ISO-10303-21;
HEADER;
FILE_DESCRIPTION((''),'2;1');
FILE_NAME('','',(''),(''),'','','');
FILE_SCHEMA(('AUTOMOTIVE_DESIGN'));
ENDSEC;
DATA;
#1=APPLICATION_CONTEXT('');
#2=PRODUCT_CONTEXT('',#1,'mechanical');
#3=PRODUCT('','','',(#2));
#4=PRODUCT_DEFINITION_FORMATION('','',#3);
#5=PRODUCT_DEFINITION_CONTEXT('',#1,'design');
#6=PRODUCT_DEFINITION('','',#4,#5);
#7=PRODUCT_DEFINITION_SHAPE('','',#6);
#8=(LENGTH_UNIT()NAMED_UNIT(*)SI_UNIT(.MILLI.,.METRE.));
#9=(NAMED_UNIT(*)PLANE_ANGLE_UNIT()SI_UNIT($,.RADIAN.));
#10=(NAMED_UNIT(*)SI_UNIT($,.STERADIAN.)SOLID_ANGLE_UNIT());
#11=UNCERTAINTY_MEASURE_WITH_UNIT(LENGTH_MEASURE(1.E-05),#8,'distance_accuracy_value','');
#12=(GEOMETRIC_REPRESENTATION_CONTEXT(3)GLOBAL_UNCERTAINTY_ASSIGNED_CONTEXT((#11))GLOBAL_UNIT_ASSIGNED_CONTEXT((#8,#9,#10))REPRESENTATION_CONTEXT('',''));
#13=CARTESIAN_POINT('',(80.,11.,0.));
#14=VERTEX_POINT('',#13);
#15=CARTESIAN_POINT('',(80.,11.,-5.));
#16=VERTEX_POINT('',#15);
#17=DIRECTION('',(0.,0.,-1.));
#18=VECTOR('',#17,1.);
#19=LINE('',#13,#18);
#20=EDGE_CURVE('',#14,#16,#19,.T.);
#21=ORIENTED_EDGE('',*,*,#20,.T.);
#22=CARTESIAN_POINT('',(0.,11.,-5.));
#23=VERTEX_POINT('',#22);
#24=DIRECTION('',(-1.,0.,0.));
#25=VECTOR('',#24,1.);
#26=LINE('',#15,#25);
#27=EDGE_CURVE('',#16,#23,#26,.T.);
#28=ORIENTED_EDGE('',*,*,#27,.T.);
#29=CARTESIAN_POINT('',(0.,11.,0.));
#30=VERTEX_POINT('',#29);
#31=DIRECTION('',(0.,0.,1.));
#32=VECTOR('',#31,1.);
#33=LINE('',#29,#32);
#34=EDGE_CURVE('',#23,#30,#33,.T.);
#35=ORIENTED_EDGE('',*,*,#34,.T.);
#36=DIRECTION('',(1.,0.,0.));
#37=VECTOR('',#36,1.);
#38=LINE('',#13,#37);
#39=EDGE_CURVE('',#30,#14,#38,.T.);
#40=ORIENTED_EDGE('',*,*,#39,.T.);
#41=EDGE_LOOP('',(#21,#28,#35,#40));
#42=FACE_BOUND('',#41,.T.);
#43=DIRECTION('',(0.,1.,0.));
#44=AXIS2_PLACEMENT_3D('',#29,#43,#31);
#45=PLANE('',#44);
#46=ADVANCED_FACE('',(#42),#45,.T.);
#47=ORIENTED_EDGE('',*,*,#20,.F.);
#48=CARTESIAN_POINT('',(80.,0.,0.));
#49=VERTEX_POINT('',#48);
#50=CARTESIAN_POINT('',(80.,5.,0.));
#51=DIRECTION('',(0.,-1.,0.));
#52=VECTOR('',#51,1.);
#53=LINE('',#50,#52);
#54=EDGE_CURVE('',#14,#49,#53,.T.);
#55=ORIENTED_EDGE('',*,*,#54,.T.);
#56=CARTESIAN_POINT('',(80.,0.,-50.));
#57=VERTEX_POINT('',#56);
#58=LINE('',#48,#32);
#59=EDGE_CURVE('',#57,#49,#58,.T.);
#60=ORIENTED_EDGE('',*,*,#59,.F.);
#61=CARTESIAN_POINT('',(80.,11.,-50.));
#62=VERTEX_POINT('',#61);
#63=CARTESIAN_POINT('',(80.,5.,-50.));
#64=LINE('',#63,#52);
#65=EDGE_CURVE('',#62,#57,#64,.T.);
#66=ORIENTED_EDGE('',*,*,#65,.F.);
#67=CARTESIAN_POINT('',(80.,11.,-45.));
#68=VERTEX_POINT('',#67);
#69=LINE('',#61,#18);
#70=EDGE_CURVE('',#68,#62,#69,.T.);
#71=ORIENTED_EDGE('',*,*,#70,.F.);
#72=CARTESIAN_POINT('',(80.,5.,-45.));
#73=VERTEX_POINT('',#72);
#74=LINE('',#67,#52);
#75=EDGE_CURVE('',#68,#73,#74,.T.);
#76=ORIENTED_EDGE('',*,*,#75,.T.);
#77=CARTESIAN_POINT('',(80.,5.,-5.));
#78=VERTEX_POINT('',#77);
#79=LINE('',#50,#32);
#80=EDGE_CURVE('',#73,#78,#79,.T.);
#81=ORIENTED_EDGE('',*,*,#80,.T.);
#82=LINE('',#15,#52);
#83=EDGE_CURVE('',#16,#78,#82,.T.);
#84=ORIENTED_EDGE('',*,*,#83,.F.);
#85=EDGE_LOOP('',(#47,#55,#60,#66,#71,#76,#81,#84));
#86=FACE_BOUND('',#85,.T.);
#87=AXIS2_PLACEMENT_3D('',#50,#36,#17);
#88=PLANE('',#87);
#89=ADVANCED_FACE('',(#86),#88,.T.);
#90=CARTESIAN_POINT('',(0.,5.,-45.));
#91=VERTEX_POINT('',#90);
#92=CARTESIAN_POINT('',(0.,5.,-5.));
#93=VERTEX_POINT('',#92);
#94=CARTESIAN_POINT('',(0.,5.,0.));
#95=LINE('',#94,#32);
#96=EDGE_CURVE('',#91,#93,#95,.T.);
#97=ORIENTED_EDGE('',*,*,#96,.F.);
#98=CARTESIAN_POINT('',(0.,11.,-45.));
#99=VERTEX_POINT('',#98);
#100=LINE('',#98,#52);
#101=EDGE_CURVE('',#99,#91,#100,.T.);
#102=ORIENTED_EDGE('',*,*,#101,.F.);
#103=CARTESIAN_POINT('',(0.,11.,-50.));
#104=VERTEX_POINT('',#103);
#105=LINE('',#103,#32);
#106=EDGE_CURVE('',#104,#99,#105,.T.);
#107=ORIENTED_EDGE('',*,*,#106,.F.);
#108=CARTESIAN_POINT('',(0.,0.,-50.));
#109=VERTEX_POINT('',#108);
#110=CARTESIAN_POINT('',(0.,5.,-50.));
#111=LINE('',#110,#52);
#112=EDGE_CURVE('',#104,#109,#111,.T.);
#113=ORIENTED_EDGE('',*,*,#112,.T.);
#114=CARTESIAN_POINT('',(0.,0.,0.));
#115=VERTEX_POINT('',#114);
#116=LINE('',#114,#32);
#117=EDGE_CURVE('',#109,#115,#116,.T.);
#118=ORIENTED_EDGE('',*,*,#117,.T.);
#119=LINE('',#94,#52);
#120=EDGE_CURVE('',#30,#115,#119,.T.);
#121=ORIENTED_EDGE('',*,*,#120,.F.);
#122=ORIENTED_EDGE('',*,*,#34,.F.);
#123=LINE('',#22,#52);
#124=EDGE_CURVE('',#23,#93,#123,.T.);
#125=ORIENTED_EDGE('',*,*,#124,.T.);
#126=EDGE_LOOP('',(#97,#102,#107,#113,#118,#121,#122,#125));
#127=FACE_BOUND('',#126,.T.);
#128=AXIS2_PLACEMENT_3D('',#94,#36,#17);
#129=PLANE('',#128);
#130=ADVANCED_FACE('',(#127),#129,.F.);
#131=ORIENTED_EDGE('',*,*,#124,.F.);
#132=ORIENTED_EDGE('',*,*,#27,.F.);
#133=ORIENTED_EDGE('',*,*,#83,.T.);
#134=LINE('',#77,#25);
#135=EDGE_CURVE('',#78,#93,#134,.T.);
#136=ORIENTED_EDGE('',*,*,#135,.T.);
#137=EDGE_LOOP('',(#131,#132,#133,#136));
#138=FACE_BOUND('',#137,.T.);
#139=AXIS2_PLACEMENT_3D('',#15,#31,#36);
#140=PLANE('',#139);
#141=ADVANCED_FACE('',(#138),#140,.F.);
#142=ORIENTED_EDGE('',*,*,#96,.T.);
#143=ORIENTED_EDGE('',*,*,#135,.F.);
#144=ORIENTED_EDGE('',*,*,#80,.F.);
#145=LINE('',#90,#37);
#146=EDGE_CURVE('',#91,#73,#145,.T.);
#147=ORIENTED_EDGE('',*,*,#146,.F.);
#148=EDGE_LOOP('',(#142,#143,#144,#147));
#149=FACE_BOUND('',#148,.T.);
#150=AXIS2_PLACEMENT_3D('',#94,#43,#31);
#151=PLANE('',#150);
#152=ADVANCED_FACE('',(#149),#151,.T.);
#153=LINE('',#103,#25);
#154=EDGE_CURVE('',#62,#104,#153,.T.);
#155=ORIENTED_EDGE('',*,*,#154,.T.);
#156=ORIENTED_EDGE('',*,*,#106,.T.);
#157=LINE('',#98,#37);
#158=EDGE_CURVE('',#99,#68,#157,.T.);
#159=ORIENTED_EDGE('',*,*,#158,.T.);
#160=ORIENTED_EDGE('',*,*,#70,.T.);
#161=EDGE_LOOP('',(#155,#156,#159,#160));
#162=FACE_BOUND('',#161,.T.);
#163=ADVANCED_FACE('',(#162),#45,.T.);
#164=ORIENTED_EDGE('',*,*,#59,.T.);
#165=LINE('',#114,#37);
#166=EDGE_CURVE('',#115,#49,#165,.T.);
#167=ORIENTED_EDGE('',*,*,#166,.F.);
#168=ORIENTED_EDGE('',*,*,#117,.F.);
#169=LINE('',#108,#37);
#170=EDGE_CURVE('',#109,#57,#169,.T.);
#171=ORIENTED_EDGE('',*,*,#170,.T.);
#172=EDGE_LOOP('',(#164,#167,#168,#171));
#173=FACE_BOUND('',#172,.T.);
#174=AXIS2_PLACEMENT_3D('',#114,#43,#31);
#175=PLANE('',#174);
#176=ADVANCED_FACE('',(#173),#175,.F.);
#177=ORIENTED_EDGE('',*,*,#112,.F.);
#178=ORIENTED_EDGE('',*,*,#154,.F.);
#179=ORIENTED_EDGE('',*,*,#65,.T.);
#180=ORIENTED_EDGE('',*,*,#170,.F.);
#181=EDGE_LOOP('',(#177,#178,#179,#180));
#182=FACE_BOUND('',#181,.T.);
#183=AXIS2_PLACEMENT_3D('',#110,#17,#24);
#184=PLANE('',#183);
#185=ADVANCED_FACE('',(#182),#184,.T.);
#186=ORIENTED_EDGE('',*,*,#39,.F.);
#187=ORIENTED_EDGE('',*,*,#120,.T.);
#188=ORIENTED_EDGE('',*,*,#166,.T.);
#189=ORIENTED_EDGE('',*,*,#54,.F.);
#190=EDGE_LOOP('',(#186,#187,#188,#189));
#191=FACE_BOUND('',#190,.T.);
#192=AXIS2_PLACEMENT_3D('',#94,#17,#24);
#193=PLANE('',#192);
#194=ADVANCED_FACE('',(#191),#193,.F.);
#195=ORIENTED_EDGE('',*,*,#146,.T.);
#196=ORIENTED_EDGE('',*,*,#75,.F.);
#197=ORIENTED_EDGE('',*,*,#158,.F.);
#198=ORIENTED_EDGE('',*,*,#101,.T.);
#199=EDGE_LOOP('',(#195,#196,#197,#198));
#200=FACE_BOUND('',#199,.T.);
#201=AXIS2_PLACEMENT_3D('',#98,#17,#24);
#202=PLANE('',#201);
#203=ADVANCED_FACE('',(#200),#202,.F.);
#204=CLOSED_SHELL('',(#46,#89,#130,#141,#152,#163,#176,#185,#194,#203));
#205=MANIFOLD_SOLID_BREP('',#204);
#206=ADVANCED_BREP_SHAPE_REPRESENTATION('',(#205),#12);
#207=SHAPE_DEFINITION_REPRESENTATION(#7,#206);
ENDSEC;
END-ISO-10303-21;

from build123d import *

# Parameters (mm, degrees)
SKETCH1_W           = 80
SKETCH1_H           = 40
SKETCH1_H_2         = 5
BOSS_EXTRUDE2_DEPTH = 5
SKETCH2_W           = 80
SKETCH2_H           = 5
BOSS_EXTRUDE3_DEPTH = 6


with BuildPart() as part:
    # Sketch1 → Boss-Extrude2 (new body)
    with BuildSketch(Plane(origin=(0, 0, 0), x_dir=(1, 0, 0), z_dir=(0, 1, 0))):
        with Locations((40, 25)):
            Rectangle(SKETCH1_W, SKETCH1_H)
        with Locations((40, 2.5)):
            Rectangle(SKETCH1_W, SKETCH1_H_2)
        with Locations((40, 47.5)):
            Rectangle(SKETCH1_W, SKETCH1_H_2)
    extrude(amount=BOSS_EXTRUDE2_DEPTH)

    # Sketch2 → Boss-Extrude3 (add)
    with BuildSketch(Plane(origin=(0, 5, 0), x_dir=(1, 0, 0), z_dir=(0, 1, 0))):
        with Locations((40, 47.5)):
            Rectangle(SKETCH2_W, SKETCH2_H)
        with Locations((40, 2.5)):
            Rectangle(SKETCH2_W, SKETCH2_H)
    extrude(amount=BOSS_EXTRUDE3_DEPTH)


solid = part.part
